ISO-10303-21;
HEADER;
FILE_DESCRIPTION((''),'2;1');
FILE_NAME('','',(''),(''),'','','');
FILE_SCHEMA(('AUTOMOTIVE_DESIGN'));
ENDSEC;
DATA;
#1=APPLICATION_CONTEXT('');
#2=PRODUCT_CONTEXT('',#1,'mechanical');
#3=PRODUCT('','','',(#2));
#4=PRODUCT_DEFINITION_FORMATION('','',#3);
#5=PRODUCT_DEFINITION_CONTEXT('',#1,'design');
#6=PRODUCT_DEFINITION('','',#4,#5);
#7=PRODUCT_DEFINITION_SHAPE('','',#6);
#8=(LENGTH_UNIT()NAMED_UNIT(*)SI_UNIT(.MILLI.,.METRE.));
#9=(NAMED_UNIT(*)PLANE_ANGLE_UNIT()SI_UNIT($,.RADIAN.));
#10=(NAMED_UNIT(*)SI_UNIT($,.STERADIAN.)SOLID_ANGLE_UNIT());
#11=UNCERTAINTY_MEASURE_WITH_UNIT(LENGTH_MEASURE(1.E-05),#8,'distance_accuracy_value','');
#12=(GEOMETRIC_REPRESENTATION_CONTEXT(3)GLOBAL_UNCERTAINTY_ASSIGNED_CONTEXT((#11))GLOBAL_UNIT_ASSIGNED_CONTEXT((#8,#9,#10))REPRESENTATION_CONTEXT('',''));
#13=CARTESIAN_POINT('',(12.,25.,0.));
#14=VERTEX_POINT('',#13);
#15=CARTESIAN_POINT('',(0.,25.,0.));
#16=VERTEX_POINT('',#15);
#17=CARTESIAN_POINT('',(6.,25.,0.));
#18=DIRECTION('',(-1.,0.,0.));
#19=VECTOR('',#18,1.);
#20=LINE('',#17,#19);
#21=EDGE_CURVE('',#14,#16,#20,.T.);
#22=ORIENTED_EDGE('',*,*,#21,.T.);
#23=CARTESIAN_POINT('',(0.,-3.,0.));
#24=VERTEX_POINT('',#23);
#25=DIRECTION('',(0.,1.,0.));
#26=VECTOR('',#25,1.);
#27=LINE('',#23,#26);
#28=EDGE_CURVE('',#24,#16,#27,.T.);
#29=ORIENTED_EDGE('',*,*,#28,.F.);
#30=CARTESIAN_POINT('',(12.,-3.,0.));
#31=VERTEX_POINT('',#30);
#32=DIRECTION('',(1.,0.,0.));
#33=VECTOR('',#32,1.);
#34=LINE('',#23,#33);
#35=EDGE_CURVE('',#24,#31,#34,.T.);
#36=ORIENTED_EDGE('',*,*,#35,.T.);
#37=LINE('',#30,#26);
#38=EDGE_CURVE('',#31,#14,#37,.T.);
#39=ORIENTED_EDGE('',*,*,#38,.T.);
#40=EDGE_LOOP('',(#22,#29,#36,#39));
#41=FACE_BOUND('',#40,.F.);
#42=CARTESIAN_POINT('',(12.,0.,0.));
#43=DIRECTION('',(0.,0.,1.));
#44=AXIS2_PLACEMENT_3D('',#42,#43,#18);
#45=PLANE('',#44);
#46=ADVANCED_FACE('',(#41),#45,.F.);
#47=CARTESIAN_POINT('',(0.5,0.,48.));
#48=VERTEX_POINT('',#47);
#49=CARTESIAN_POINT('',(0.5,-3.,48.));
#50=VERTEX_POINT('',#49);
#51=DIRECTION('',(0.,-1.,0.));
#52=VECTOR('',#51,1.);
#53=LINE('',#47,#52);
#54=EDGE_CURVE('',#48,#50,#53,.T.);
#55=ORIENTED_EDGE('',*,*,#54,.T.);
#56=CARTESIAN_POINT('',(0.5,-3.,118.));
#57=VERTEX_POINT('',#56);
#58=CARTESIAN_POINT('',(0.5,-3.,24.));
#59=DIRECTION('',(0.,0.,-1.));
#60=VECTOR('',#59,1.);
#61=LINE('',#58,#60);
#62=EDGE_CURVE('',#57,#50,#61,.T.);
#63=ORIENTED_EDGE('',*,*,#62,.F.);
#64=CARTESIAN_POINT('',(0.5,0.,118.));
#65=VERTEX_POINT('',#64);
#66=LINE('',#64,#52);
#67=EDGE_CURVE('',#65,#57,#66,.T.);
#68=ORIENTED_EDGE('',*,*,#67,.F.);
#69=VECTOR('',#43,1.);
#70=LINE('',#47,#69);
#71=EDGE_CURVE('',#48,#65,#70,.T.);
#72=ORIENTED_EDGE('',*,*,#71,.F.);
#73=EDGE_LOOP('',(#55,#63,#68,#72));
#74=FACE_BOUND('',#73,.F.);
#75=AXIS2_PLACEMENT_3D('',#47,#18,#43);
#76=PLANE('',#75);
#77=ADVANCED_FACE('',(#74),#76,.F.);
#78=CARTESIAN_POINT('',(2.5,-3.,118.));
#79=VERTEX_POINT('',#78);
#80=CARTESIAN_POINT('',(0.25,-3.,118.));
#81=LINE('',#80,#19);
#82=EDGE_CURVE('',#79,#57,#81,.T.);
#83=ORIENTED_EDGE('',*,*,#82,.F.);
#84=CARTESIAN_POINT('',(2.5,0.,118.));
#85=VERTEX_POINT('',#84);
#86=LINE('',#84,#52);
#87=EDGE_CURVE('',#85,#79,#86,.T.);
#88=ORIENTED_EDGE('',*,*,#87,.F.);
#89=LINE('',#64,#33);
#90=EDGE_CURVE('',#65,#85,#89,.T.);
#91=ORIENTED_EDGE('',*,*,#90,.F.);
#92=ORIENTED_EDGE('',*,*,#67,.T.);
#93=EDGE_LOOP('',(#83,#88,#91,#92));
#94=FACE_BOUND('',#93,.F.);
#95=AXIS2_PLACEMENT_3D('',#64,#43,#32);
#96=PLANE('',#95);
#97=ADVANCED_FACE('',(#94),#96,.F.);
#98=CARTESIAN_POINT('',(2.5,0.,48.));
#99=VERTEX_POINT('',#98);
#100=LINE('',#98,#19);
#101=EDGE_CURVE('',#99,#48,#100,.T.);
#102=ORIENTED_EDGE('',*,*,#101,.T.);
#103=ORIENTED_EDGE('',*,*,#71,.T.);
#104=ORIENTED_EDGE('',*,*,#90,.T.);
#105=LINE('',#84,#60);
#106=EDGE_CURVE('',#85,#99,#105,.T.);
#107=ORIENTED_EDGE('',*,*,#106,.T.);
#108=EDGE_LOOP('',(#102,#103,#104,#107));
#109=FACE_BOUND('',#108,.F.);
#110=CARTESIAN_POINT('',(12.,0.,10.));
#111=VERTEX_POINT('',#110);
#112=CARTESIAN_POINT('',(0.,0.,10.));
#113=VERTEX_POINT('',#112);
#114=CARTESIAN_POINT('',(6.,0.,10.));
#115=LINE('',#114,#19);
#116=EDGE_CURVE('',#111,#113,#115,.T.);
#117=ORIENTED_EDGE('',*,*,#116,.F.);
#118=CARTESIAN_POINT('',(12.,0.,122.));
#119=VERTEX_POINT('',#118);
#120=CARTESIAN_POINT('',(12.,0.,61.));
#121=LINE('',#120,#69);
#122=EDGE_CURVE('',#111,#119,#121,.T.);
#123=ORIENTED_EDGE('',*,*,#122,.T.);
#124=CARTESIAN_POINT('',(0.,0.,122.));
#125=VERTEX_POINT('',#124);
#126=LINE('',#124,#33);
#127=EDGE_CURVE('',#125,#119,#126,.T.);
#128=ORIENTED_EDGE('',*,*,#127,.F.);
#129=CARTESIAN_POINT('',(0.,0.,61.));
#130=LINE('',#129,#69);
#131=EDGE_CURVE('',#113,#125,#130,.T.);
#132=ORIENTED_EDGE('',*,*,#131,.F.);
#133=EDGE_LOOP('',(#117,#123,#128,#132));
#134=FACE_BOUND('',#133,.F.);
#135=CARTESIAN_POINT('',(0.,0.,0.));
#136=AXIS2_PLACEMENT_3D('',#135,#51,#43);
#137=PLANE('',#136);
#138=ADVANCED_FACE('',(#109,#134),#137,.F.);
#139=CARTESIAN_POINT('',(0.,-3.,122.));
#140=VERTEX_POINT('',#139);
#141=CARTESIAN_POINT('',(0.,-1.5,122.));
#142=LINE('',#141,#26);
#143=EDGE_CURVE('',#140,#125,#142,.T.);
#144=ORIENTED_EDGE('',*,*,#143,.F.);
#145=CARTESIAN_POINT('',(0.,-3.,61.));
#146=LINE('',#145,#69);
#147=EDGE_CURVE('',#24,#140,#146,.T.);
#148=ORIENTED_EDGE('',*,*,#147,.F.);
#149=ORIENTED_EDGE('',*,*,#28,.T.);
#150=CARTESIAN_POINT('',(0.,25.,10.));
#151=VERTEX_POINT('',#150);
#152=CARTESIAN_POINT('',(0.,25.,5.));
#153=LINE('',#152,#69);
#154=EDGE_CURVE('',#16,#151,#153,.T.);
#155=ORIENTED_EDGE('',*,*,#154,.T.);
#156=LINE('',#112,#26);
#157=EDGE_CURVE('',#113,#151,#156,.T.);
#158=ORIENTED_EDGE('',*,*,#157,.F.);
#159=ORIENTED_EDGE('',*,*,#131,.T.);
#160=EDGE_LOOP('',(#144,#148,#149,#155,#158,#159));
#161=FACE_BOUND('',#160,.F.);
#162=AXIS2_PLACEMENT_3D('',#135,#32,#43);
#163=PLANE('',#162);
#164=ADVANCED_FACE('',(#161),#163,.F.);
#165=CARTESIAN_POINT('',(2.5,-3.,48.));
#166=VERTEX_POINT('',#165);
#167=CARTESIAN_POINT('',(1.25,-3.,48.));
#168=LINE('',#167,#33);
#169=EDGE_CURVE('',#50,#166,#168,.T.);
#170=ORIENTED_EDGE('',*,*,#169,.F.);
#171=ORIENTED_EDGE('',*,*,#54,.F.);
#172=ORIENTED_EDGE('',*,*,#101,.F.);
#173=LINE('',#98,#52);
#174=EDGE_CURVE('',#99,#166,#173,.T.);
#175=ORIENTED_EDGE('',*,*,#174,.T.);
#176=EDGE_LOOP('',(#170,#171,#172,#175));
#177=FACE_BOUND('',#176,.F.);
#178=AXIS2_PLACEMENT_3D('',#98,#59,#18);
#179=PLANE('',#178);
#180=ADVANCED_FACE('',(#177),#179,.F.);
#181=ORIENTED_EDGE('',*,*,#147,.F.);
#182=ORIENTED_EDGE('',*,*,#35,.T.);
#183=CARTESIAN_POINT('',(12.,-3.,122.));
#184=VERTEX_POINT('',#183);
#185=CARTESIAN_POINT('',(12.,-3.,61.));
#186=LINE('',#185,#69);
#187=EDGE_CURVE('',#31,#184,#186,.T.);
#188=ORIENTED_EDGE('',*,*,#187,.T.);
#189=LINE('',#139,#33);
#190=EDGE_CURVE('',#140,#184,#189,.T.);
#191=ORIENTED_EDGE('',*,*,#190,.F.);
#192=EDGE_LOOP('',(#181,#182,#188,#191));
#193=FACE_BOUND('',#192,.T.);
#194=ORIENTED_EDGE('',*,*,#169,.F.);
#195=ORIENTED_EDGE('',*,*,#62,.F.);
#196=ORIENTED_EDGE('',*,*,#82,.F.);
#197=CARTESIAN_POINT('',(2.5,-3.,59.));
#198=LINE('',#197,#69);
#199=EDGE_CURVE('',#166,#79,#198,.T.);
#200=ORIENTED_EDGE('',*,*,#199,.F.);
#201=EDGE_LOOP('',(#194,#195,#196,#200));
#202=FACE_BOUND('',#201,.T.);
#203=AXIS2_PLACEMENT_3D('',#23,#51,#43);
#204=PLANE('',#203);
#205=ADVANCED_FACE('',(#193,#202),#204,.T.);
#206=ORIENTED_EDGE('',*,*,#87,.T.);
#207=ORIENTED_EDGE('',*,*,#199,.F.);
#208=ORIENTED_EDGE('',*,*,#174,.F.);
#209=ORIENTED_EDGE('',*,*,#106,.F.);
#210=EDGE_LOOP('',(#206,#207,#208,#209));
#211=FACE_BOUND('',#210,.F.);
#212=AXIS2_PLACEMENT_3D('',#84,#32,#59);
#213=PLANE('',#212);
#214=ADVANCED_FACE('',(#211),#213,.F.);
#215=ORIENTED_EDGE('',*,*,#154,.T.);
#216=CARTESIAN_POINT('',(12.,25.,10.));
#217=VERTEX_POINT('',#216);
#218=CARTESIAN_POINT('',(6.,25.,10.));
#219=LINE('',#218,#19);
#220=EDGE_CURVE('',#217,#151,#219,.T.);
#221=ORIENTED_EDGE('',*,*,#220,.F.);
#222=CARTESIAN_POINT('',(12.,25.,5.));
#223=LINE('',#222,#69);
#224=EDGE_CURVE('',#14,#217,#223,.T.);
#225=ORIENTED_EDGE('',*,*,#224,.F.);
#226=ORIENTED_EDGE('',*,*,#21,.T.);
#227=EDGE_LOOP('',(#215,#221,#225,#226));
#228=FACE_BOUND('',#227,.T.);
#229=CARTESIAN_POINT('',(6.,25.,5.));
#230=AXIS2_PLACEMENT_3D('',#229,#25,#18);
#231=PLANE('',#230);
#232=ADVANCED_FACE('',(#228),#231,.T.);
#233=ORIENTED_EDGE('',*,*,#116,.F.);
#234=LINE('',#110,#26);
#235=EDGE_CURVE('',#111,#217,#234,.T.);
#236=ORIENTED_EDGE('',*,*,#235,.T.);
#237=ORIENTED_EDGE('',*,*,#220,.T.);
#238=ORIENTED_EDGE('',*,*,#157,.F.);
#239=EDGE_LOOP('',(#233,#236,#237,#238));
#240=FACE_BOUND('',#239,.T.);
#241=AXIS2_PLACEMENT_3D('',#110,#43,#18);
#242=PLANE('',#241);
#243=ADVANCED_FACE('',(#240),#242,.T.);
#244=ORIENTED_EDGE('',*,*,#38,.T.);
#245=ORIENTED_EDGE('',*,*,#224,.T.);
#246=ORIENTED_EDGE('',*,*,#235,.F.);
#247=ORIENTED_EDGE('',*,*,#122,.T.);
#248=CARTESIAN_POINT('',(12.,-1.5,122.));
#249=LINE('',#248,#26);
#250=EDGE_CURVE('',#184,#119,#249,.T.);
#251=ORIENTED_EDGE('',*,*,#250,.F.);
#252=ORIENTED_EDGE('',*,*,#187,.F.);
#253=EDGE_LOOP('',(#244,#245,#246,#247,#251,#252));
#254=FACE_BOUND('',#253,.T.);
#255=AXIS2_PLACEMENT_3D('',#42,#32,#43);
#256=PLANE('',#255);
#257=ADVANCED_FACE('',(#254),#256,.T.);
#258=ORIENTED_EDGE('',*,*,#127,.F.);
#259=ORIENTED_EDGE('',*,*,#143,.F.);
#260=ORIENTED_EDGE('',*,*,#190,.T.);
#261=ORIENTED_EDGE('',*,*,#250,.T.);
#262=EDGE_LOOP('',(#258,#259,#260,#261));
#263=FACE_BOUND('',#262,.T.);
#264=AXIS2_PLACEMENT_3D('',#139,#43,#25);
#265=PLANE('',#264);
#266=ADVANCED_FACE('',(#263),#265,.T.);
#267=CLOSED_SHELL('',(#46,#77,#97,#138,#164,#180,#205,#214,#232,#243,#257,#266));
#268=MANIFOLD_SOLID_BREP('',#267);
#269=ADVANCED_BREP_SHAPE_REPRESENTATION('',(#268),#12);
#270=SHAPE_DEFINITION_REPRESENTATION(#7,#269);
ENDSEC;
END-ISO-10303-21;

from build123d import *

# Parameters (mm, degrees)
F0_W     = 3
F0_H     = 122
F1_DEPTH = 12
F2_W     = 12
F2_H     = 10
F3_DEPTH = 25
F5_DEPTH = 3.001


with BuildPart() as f1:
    # F0 (on Right) → F1 (new body)
    with BuildSketch(Plane.YZ):
        with Locations((-1.5, 61)):
            Rectangle(F0_W, F0_H)
    extrude(amount=F1_DEPTH)

    # F2 (on face) → F3 (join)
    with BuildSketch(Plane(origin=(0, 0, 0), x_dir=(-1, 0, 0), z_dir=(0, 1, 0))):
        with Locations((-6, 5)):
            Rectangle(F2_W, F2_H)
    extrude(amount=F3_DEPTH)

    # F4 (on face) → F5 (cut, through all)
    with BuildSketch(Plane(origin=(0, 0, 0), x_dir=(-1, 0, 0), z_dir=(0, 1, 0))):
        Polygon((-0.5, 118), (-1.5, 118), (-2.5, 118), (-2.5, 48), (-1.5, 48), (-0.5, 48), align=None)
    extrude(amount=-F5_DEPTH, mode=Mode.SUBTRACT)


solid = f1.part
